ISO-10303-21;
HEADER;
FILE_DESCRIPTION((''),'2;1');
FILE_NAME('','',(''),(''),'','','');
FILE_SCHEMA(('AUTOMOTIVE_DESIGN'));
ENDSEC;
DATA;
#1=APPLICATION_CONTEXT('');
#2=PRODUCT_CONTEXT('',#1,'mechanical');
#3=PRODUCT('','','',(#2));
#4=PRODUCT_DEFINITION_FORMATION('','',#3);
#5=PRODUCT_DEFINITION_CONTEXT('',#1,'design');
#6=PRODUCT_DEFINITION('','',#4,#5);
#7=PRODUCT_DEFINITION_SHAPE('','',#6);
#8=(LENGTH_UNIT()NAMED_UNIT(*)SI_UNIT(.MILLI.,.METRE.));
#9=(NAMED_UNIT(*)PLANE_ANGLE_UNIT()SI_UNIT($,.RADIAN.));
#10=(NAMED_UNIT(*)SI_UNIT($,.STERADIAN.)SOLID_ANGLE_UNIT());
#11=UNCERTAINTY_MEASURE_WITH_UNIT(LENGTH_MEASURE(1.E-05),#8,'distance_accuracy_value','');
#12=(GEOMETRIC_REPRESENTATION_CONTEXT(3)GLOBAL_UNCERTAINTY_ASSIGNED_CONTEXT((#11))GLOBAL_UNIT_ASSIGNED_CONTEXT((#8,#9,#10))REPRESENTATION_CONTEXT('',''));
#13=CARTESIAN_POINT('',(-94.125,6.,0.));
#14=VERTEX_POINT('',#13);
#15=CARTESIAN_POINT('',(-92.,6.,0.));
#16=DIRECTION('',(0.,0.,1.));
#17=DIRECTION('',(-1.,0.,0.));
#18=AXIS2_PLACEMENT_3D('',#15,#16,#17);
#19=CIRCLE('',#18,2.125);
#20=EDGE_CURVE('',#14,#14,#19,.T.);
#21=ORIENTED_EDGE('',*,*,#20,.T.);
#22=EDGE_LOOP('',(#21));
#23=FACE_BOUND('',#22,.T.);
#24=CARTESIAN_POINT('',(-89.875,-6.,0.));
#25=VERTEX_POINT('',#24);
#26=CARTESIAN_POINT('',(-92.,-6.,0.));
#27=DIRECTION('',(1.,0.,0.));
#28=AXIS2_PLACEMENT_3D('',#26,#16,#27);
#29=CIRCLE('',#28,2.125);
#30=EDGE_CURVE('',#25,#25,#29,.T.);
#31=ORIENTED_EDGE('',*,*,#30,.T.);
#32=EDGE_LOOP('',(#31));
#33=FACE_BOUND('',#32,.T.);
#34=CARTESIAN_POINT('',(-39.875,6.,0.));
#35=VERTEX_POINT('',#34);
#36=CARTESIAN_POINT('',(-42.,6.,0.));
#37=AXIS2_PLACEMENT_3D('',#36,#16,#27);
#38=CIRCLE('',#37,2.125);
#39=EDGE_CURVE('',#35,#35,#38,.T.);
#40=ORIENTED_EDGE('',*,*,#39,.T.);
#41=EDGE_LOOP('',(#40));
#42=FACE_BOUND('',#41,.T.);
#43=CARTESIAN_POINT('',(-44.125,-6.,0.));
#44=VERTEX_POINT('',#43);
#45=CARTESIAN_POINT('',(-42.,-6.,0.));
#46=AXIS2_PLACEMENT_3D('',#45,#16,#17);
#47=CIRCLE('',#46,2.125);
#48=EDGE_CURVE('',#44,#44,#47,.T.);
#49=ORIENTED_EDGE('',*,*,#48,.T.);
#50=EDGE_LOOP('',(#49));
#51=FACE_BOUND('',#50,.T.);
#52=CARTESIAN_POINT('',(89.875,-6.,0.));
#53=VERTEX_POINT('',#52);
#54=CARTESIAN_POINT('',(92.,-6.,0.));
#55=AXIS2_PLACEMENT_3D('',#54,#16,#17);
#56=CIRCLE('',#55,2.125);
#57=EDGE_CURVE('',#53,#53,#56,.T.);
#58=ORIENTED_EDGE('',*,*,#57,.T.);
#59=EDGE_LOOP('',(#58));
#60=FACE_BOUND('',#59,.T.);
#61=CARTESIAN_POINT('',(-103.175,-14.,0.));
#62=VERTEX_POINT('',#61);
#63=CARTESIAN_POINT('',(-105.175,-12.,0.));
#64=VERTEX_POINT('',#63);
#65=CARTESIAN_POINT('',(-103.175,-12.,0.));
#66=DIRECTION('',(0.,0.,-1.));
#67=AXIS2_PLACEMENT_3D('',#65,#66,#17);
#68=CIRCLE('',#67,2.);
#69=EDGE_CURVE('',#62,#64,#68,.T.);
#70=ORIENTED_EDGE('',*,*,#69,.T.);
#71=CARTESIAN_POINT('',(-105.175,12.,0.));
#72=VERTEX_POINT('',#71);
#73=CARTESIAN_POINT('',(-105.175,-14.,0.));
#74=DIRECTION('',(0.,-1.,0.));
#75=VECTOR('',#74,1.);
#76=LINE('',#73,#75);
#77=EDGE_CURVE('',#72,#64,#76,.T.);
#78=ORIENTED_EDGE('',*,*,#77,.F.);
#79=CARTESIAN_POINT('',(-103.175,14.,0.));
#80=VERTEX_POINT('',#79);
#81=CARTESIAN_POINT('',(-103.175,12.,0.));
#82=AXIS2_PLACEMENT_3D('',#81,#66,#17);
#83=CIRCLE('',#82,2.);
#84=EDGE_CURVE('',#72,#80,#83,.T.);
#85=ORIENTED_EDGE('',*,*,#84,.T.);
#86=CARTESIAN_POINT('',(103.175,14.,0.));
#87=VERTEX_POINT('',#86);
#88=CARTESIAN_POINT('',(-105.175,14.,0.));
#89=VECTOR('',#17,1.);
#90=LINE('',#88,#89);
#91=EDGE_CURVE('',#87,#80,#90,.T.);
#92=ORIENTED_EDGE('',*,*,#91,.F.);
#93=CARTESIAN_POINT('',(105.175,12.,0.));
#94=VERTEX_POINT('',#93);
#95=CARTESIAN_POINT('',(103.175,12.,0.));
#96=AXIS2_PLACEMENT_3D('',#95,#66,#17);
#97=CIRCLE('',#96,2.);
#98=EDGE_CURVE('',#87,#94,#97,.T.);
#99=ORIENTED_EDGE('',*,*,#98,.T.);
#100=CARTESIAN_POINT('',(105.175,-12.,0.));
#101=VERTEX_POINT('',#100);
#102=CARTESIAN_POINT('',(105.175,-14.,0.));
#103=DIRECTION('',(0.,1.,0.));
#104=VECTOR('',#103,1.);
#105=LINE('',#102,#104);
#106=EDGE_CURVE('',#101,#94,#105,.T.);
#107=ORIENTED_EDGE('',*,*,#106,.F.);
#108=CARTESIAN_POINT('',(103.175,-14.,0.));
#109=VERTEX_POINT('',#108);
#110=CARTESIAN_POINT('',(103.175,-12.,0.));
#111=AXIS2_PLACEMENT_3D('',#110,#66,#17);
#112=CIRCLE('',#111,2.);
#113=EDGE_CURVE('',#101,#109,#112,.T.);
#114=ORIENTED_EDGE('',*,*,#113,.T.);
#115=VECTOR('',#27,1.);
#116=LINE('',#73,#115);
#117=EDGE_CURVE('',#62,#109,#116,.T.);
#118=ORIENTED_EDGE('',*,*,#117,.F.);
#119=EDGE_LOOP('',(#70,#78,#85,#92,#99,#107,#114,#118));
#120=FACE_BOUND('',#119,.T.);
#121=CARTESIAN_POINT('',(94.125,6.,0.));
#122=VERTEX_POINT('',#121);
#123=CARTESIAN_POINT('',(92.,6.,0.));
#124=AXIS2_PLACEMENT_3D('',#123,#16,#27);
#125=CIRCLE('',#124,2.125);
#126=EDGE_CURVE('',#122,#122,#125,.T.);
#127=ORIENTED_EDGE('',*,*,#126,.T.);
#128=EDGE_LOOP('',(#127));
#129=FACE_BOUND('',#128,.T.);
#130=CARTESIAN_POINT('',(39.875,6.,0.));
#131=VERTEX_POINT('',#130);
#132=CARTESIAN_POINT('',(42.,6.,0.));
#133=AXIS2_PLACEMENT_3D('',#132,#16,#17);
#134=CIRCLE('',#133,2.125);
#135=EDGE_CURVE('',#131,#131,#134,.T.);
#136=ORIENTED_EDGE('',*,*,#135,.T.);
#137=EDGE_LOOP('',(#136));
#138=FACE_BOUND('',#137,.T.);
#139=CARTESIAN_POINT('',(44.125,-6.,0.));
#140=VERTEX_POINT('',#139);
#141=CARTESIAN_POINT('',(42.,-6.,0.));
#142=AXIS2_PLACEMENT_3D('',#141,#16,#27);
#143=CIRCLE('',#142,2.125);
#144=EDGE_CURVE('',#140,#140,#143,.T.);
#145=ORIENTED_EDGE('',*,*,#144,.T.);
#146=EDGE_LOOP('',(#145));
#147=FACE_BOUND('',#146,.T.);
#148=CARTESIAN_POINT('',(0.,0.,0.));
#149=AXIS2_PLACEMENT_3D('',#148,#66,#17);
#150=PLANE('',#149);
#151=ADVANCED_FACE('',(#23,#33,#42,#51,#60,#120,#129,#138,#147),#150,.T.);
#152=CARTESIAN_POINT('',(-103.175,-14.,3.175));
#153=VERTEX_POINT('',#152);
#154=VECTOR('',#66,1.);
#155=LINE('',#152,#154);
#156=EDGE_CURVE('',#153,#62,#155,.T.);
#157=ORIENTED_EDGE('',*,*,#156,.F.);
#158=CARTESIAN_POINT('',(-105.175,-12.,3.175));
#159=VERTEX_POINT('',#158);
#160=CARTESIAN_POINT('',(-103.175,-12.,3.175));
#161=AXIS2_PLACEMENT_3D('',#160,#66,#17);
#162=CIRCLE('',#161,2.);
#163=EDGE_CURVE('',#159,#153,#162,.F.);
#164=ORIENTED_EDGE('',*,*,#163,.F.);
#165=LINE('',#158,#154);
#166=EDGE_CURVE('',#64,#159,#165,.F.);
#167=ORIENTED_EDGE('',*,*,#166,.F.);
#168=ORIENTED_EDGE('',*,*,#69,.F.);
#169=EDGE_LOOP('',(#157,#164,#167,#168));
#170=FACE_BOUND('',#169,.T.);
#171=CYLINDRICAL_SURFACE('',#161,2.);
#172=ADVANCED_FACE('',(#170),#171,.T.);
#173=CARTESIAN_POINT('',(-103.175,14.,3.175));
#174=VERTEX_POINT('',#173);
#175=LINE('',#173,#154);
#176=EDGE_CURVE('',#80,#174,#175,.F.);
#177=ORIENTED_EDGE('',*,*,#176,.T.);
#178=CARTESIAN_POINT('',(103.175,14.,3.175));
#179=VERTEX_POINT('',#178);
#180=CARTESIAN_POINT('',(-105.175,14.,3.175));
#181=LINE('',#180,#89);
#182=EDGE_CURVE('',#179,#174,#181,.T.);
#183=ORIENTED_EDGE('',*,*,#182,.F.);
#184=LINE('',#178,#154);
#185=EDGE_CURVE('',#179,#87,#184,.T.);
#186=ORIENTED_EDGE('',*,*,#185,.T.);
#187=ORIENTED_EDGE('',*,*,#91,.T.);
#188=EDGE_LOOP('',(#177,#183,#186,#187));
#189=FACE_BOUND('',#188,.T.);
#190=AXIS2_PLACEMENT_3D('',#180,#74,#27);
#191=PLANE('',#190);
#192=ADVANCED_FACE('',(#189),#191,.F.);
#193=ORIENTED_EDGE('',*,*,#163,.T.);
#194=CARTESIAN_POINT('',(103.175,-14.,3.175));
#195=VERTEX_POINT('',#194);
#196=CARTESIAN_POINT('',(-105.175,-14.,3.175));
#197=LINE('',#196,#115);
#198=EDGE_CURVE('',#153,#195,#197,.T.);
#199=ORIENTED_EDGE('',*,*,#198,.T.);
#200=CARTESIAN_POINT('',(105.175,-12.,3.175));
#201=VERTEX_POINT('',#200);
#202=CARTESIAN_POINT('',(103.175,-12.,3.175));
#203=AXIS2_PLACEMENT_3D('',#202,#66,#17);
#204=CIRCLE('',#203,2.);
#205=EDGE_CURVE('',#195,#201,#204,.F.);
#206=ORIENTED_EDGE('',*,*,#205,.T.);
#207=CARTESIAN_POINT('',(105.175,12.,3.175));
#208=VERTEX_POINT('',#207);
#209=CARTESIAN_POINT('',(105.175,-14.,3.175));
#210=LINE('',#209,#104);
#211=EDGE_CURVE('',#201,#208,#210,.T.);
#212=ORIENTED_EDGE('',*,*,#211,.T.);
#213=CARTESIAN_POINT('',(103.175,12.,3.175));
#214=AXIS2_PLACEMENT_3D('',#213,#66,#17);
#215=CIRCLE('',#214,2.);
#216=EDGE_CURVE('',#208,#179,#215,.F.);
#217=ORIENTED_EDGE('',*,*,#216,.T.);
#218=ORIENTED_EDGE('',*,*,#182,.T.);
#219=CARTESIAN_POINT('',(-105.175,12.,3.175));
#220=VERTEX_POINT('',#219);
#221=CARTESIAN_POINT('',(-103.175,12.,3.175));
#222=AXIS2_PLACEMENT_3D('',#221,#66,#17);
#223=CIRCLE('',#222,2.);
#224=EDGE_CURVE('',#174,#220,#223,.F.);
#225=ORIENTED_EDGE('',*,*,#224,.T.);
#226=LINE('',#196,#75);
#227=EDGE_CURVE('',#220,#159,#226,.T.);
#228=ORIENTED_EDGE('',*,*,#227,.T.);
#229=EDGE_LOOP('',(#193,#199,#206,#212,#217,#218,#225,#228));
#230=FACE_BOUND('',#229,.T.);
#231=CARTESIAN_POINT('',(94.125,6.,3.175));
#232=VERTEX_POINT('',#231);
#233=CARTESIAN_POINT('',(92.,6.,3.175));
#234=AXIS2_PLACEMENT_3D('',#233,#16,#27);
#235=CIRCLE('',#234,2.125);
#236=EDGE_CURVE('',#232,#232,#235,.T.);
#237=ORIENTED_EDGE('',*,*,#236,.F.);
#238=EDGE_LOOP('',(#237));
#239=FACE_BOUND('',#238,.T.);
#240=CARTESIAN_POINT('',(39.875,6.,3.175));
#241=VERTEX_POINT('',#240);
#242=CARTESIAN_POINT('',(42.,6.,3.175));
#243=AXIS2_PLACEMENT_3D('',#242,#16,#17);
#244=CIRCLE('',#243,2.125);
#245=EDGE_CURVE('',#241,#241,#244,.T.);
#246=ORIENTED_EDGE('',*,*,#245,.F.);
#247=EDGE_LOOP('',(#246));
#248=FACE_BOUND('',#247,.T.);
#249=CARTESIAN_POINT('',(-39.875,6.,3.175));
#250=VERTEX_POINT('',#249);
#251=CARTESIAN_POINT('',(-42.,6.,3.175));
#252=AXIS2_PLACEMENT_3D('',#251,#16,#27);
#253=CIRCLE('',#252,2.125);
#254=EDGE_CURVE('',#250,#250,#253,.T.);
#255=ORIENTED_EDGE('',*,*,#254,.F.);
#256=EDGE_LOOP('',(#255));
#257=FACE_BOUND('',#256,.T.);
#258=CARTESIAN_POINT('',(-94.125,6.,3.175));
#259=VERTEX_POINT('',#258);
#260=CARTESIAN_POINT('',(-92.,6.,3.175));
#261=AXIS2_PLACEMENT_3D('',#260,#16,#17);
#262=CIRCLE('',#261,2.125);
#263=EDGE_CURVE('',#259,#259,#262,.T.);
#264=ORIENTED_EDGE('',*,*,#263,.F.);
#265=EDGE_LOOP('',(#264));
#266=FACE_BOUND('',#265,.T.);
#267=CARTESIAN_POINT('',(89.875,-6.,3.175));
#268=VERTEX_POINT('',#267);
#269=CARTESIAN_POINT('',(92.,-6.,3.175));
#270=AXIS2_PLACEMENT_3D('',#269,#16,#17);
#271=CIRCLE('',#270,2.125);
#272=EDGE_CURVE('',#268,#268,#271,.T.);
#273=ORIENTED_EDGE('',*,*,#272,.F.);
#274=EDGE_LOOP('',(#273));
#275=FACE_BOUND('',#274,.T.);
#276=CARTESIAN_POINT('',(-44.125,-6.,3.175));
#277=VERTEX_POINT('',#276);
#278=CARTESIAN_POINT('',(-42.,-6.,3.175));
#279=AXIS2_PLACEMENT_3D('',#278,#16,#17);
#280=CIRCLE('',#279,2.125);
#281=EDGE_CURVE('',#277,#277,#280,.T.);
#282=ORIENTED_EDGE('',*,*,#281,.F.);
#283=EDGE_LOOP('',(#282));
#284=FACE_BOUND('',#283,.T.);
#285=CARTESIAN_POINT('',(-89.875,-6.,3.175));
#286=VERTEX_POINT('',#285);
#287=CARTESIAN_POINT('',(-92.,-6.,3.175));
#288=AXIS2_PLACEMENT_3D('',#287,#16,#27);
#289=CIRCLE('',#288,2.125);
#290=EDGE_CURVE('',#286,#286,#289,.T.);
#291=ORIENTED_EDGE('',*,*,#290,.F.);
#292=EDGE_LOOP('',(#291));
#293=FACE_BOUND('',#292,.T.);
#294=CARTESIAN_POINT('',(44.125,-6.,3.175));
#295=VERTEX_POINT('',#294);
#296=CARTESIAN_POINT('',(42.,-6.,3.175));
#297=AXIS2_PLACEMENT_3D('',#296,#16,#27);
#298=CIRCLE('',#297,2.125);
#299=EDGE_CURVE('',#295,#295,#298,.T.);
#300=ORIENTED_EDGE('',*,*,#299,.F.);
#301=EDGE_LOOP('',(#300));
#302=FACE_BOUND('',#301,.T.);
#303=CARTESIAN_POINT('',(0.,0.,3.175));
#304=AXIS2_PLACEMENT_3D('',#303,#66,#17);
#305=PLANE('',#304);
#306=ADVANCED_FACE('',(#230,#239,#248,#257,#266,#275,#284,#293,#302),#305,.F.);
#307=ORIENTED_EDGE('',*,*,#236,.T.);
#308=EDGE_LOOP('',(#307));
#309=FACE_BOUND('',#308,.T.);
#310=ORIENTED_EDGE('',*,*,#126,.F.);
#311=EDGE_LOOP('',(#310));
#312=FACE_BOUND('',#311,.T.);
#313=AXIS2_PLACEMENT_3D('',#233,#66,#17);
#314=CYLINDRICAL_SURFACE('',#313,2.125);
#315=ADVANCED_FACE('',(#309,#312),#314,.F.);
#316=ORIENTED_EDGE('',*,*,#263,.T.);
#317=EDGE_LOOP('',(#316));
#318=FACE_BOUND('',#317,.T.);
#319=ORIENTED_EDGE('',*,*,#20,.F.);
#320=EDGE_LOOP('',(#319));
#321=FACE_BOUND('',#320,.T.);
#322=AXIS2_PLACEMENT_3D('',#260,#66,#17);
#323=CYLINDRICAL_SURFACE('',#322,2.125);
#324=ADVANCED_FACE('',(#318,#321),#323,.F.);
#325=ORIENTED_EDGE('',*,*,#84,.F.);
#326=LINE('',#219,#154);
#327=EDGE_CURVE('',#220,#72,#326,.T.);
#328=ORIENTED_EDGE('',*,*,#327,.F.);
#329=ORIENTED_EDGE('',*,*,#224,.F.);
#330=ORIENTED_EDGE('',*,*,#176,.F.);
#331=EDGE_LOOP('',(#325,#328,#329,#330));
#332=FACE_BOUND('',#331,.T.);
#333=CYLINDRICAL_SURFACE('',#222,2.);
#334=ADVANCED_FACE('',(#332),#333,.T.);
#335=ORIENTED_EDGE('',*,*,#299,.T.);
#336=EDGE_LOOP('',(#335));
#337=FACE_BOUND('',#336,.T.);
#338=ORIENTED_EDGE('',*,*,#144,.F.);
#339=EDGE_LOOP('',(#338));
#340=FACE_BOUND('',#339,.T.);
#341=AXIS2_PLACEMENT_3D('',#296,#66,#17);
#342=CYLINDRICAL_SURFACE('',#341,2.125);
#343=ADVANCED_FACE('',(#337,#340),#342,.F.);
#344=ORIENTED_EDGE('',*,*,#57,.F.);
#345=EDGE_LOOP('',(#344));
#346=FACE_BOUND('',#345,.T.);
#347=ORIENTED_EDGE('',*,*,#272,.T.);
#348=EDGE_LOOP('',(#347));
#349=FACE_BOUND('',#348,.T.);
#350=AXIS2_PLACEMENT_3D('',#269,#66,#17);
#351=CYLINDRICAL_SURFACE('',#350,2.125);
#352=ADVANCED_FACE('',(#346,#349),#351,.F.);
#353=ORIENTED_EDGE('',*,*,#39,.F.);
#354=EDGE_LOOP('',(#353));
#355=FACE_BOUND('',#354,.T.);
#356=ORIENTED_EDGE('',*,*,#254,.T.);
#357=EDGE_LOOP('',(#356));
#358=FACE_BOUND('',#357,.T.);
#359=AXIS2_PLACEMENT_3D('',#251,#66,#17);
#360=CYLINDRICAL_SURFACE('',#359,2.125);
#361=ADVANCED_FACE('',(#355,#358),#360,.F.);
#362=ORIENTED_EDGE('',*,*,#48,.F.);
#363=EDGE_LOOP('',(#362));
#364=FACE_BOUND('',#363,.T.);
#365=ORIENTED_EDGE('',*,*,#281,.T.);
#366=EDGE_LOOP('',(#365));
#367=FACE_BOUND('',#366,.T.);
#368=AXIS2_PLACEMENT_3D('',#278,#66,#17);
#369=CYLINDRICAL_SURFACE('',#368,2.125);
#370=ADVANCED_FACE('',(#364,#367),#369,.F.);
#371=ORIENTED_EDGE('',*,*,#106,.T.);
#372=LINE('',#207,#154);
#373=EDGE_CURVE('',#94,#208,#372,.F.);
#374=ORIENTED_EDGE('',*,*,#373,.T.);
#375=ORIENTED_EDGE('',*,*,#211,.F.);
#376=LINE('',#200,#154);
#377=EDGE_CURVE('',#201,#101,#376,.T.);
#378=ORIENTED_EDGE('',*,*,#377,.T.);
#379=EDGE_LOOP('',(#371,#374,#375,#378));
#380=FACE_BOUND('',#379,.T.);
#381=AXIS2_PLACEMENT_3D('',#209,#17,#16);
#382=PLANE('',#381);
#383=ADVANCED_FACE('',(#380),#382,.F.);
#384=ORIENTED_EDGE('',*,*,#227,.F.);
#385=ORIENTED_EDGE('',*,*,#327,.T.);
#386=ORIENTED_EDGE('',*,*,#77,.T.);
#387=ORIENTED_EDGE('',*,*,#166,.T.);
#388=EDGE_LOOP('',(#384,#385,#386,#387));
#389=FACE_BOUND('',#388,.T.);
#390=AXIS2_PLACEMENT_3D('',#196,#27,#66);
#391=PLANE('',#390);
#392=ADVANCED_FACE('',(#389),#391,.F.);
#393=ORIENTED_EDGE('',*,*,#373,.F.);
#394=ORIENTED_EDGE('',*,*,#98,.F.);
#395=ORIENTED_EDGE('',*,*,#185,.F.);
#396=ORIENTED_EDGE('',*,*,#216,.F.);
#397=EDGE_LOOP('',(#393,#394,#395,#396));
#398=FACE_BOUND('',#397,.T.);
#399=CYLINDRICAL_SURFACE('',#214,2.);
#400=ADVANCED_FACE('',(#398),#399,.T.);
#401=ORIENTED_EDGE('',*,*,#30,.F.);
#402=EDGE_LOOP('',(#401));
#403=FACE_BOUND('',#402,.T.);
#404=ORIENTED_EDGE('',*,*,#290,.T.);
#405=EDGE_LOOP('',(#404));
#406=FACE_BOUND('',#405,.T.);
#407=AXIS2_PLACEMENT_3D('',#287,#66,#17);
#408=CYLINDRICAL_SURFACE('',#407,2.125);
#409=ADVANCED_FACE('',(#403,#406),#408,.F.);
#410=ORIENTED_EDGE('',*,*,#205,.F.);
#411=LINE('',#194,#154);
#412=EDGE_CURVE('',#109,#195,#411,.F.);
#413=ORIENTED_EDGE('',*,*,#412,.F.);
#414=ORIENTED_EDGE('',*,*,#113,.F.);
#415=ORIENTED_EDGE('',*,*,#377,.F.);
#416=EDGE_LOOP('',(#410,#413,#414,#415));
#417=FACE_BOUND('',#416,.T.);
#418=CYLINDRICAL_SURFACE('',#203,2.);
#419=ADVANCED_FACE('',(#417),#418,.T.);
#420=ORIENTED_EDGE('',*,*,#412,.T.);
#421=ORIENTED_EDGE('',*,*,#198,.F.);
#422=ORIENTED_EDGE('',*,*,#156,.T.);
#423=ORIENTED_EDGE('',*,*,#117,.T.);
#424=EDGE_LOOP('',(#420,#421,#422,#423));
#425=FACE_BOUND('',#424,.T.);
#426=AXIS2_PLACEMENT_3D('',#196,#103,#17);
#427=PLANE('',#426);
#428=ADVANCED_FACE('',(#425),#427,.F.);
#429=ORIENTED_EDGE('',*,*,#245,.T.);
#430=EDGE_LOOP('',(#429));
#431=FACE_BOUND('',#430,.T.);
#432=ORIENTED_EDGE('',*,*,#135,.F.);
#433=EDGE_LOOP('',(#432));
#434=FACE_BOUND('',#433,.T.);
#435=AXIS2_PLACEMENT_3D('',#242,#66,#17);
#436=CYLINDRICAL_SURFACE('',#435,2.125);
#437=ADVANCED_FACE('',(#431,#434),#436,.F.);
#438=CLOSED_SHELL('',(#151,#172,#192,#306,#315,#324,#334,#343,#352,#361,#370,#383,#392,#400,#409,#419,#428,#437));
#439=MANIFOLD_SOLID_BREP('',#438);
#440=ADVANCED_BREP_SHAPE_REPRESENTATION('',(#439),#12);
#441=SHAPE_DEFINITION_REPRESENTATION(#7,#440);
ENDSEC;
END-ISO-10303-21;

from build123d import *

# Parameters (mm, degrees)
SKETCH1_W           = 210.35
SKETCH1_H           = 28
SKETCH1_R           = 2.125
BOSS_EXTRUDE1_DEPTH = 3.175
FILLET1_R           = 2


with BuildPart() as part:
    # Sketch1 → Boss-Extrude1 (new body)
    with BuildSketch(Plane.XY):
        Rectangle(SKETCH1_W, SKETCH1_H)
        with Locations((92, 6)):
            Circle(SKETCH1_R, mode=Mode.SUBTRACT)
        with Locations(Location((92, -6, 0), (0, 0, 180))):
            Circle(SKETCH1_R, mode=Mode.SUBTRACT)
        with Locations((-92, -6)):
            Circle(SKETCH1_R, mode=Mode.SUBTRACT)
        with Locations(Location((-92, 6, 0), (0, 0, 180))):
            Circle(SKETCH1_R, mode=Mode.SUBTRACT)
        with Locations((-42, 6)):
            Circle(SKETCH1_R, mode=Mode.SUBTRACT)
        with Locations(Location((-42, -6, 0), (0, 0, 180))):
            Circle(SKETCH1_R, mode=Mode.SUBTRACT)
        with Locations((42, -6)):
            Circle(SKETCH1_R, mode=Mode.SUBTRACT)
        with Locations(Location((42, 6, 0), (0, 0, 180))):
            Circle(SKETCH1_R, mode=Mode.SUBTRACT)
    extrude(amount=BOSS_EXTRUDE1_DEPTH)

    # Fillet1
    fillet1_edges = [part.edges().sort_by_distance(p)[0] for p in [
        (105.175, -14, 1.5875),
        (-105.175, -14, 1.5875),
        (-105.175, 14, 1.5875),
        (105.175, 14, 1.5875),
    ]]
    fillet(fillet1_edges, radius=FILLET1_R)


solid = part.part
